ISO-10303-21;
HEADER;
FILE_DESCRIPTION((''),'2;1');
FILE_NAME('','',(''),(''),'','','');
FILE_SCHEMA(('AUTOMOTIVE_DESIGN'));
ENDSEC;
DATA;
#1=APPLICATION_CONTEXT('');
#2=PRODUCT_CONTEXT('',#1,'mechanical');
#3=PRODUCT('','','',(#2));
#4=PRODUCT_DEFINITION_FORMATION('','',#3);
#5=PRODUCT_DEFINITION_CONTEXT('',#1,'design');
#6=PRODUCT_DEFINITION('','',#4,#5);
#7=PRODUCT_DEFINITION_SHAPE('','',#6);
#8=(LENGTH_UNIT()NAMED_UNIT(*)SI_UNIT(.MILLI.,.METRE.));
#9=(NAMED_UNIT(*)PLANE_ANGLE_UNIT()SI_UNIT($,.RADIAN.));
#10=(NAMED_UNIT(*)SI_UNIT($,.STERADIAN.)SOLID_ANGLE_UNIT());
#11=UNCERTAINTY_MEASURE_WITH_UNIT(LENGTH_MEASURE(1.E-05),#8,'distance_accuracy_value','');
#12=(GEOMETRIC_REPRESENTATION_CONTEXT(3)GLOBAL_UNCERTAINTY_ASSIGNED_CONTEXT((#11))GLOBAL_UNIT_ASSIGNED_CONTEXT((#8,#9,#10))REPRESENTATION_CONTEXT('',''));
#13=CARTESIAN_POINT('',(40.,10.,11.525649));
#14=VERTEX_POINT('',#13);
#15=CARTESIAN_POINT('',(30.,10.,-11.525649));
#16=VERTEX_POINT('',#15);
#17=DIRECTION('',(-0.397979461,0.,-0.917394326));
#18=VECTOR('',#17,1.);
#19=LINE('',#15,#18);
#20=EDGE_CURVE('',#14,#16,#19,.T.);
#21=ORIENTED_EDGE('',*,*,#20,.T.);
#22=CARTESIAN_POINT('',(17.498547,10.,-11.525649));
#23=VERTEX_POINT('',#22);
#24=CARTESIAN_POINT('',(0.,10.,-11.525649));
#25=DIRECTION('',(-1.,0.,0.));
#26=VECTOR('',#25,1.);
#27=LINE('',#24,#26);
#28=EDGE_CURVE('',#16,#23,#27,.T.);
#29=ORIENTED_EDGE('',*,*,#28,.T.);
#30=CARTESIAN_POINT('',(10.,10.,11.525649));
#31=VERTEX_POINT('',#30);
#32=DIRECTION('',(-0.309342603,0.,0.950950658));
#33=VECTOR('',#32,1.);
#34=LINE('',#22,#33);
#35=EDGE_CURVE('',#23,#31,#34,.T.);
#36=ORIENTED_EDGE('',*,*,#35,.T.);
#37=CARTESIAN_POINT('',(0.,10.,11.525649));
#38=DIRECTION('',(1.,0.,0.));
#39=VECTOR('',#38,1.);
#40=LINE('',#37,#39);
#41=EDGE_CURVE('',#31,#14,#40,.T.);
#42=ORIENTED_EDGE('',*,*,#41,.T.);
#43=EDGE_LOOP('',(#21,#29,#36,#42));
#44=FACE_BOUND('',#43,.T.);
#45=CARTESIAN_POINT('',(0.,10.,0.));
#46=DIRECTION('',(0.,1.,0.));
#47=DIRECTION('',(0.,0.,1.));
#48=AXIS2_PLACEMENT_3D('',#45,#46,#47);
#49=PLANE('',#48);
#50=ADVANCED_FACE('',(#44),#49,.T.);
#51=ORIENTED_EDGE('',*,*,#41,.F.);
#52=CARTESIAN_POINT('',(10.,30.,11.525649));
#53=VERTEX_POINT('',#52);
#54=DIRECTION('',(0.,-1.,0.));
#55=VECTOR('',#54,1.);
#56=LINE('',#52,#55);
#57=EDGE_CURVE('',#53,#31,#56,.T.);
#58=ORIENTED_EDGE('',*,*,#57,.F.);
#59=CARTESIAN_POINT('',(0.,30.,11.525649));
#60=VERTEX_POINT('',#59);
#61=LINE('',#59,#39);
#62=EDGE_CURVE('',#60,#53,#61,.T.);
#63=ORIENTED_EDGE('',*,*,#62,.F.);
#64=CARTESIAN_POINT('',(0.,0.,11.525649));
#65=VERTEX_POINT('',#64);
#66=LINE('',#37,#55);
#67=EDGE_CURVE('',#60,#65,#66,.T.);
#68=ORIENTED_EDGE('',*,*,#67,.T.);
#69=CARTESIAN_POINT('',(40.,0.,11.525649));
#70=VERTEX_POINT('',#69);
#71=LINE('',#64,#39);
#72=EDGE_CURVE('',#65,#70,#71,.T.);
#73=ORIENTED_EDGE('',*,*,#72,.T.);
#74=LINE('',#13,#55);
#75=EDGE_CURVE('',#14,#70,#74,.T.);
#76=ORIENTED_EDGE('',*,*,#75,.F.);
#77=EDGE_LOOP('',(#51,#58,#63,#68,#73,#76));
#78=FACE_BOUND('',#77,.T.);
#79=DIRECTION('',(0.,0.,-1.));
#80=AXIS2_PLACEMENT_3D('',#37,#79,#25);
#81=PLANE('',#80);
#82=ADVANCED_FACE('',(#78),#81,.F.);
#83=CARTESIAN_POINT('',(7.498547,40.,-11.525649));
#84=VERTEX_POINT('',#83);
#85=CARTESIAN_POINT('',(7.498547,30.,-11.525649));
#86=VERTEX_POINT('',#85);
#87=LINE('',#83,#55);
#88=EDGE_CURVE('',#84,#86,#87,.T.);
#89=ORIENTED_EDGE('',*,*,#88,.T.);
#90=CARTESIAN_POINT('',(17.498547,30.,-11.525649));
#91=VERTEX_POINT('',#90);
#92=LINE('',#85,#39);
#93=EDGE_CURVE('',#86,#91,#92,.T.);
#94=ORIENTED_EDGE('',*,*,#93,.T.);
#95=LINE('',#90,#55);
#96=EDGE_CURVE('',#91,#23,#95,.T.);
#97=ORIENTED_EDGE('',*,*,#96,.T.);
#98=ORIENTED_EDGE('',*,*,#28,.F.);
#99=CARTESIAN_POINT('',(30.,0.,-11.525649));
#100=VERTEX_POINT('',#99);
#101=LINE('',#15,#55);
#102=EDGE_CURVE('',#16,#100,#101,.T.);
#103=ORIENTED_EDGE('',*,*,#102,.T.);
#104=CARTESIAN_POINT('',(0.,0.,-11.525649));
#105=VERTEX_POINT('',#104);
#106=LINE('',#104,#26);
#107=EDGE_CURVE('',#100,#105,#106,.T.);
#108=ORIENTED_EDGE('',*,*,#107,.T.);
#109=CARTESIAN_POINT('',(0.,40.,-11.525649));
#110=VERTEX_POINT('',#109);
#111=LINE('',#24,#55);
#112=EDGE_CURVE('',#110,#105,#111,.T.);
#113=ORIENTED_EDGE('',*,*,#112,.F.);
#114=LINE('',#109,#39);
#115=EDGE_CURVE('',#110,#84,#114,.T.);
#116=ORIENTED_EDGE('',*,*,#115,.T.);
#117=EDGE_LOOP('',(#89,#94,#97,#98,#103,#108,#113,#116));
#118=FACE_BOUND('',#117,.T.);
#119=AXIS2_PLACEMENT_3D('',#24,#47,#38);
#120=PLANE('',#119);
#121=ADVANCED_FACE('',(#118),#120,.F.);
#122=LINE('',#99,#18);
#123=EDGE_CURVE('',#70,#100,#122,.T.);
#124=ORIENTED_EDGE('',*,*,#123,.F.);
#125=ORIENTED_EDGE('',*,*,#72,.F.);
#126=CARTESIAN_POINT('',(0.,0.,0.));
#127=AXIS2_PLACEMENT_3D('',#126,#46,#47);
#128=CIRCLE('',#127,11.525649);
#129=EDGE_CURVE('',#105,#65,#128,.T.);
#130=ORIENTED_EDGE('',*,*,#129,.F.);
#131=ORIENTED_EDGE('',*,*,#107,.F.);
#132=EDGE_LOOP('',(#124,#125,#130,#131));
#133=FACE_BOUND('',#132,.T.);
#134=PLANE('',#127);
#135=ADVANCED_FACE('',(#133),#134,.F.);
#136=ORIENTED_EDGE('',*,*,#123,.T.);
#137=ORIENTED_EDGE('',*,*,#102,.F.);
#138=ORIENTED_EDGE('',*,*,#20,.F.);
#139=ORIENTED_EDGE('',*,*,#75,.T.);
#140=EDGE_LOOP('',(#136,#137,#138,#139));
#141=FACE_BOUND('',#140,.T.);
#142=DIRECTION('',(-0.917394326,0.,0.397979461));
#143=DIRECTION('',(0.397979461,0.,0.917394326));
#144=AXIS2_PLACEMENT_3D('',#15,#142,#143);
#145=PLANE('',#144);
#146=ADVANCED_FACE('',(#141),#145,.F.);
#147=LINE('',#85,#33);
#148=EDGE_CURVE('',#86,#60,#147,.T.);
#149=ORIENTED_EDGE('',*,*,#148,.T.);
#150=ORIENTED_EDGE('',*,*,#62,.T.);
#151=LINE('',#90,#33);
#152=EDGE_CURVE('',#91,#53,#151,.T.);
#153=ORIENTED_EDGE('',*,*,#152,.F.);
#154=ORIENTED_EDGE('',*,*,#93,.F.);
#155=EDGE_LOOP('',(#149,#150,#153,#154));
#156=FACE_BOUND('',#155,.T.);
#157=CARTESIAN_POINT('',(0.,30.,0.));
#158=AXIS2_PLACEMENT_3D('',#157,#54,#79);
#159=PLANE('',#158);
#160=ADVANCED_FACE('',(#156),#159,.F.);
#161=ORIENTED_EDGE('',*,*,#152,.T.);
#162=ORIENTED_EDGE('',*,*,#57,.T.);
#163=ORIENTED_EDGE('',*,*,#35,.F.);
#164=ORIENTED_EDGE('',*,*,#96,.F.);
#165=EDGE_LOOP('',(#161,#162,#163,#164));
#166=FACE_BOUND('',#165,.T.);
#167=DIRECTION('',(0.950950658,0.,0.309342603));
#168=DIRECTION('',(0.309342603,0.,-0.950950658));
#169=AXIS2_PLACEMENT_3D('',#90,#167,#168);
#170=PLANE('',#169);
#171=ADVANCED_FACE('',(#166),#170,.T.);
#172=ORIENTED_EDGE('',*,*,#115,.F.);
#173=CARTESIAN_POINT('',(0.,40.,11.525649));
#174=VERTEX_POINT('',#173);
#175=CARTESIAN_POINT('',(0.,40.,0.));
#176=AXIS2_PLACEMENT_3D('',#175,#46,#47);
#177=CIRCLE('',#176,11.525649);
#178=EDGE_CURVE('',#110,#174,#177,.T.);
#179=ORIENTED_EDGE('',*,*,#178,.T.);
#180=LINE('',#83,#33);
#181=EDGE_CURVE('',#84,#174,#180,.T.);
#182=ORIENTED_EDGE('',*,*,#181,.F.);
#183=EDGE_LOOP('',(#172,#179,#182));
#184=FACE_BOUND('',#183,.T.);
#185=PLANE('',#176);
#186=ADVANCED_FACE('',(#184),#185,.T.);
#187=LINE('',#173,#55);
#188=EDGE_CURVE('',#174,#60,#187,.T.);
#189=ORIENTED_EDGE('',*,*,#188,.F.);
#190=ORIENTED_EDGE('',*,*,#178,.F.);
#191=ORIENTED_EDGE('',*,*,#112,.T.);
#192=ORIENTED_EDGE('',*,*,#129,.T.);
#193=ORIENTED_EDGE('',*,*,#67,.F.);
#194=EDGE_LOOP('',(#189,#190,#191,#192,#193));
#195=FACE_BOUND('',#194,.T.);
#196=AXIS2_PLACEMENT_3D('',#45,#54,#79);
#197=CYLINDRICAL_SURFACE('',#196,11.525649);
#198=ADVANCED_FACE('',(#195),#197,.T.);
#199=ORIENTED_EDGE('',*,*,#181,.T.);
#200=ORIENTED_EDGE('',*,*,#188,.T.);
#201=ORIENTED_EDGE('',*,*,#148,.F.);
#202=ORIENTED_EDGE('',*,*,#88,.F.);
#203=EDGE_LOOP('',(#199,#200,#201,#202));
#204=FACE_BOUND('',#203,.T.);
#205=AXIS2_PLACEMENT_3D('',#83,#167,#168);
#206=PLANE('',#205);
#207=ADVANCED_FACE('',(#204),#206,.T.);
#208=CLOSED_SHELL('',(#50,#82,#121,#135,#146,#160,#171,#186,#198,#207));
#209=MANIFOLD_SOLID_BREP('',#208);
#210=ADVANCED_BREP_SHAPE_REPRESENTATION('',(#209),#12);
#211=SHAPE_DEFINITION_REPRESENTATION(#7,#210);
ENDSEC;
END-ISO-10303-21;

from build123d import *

# Parameters (mm, degrees)
BOSS_EXTRUDE1_DEPTH = 10
BOSS_EXTRUDE2_DEPTH = 20
BOSS_EXTRUDE3_DEPTH = 30


with BuildPart() as part:
    # Sketch1 → Boss-Extrude1 (new body)
    with BuildSketch(Plane(origin=(0, 0, 0), x_dir=(1, 0, 0), z_dir=(0, 1, 0))):
        with BuildLine():
            Line((0, 11.52564913), (30, 11.52564913))
            Line((30, 11.52564913), (40, -11.52564913))
            Line((40, -11.52564913), (0, -11.52564913))
            ThreePointArc((0, -11.52564913), (-11.52564913, 0), (0, 11.52564913))
        make_face()
    extrude(amount=BOSS_EXTRUDE1_DEPTH)

    # Sketch2 → Boss-Extrude2 (add)
    with BuildSketch(Plane(origin=(0, 10, 0), x_dir=(1, 0, 0), z_dir=(0, 1, 0))):
        Polygon((7.498547434, 11.52564913), (17.498547434, 11.52564913), (10, -11.52564913), (0, -11.52564913), align=None)
    extrude(amount=BOSS_EXTRUDE2_DEPTH)

    # Sketch3 → Boss-Extrude3 (add)
    with BuildSketch(Plane(origin=(0, 10, 0), x_dir=(1, 0, 0), z_dir=(0, 1, 0))):
        with BuildLine():
            Line((0, 11.52564913), (7.498547434, 11.52564913))
            Line((7.498547434, 11.52564913), (0, -11.52564913))
            ThreePointArc((0, -11.52564913), (-11.52564913, 0), (0, 11.52564913))
        make_face()
    extrude(amount=BOSS_EXTRUDE3_DEPTH)


solid = part.part
